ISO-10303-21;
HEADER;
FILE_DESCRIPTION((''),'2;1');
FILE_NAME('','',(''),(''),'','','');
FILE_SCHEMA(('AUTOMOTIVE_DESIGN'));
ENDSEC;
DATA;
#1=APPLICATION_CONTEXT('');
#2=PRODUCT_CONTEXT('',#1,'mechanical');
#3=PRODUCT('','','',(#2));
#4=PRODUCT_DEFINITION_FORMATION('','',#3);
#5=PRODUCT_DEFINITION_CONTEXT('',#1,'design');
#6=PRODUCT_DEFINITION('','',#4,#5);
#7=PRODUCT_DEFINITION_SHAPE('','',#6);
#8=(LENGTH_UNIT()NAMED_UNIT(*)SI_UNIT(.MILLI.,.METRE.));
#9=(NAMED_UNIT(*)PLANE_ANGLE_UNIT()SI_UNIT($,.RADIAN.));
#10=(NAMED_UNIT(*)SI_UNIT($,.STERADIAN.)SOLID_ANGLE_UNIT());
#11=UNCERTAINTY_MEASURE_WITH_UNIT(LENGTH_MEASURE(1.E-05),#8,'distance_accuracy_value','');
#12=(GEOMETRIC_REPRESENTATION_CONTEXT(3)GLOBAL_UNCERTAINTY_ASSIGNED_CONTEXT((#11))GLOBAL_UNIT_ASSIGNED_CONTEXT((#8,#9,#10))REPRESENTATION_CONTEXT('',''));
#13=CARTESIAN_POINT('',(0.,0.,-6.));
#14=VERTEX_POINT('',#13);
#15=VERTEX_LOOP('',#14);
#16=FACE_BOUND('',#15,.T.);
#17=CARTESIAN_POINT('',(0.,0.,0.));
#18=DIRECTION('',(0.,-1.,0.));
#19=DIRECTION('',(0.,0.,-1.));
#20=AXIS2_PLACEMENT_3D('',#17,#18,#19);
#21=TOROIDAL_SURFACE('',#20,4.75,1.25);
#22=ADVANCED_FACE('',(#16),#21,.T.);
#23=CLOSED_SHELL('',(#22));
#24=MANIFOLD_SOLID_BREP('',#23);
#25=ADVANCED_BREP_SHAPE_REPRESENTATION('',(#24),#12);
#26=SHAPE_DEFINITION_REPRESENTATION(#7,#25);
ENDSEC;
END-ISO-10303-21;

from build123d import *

# Parameters (mm, degrees)
SKETCH1_R = 1.25


with BuildPart() as part:
    # Sketch1 → Revolve1 (revolve)
    with BuildSketch(Plane.XY):
        with Locations((4.75, 0)):
            Circle(SKETCH1_R)
    revolve(axis=Axis((0, 1.25, 0), (0, -1, 0)))


solid = part.part
